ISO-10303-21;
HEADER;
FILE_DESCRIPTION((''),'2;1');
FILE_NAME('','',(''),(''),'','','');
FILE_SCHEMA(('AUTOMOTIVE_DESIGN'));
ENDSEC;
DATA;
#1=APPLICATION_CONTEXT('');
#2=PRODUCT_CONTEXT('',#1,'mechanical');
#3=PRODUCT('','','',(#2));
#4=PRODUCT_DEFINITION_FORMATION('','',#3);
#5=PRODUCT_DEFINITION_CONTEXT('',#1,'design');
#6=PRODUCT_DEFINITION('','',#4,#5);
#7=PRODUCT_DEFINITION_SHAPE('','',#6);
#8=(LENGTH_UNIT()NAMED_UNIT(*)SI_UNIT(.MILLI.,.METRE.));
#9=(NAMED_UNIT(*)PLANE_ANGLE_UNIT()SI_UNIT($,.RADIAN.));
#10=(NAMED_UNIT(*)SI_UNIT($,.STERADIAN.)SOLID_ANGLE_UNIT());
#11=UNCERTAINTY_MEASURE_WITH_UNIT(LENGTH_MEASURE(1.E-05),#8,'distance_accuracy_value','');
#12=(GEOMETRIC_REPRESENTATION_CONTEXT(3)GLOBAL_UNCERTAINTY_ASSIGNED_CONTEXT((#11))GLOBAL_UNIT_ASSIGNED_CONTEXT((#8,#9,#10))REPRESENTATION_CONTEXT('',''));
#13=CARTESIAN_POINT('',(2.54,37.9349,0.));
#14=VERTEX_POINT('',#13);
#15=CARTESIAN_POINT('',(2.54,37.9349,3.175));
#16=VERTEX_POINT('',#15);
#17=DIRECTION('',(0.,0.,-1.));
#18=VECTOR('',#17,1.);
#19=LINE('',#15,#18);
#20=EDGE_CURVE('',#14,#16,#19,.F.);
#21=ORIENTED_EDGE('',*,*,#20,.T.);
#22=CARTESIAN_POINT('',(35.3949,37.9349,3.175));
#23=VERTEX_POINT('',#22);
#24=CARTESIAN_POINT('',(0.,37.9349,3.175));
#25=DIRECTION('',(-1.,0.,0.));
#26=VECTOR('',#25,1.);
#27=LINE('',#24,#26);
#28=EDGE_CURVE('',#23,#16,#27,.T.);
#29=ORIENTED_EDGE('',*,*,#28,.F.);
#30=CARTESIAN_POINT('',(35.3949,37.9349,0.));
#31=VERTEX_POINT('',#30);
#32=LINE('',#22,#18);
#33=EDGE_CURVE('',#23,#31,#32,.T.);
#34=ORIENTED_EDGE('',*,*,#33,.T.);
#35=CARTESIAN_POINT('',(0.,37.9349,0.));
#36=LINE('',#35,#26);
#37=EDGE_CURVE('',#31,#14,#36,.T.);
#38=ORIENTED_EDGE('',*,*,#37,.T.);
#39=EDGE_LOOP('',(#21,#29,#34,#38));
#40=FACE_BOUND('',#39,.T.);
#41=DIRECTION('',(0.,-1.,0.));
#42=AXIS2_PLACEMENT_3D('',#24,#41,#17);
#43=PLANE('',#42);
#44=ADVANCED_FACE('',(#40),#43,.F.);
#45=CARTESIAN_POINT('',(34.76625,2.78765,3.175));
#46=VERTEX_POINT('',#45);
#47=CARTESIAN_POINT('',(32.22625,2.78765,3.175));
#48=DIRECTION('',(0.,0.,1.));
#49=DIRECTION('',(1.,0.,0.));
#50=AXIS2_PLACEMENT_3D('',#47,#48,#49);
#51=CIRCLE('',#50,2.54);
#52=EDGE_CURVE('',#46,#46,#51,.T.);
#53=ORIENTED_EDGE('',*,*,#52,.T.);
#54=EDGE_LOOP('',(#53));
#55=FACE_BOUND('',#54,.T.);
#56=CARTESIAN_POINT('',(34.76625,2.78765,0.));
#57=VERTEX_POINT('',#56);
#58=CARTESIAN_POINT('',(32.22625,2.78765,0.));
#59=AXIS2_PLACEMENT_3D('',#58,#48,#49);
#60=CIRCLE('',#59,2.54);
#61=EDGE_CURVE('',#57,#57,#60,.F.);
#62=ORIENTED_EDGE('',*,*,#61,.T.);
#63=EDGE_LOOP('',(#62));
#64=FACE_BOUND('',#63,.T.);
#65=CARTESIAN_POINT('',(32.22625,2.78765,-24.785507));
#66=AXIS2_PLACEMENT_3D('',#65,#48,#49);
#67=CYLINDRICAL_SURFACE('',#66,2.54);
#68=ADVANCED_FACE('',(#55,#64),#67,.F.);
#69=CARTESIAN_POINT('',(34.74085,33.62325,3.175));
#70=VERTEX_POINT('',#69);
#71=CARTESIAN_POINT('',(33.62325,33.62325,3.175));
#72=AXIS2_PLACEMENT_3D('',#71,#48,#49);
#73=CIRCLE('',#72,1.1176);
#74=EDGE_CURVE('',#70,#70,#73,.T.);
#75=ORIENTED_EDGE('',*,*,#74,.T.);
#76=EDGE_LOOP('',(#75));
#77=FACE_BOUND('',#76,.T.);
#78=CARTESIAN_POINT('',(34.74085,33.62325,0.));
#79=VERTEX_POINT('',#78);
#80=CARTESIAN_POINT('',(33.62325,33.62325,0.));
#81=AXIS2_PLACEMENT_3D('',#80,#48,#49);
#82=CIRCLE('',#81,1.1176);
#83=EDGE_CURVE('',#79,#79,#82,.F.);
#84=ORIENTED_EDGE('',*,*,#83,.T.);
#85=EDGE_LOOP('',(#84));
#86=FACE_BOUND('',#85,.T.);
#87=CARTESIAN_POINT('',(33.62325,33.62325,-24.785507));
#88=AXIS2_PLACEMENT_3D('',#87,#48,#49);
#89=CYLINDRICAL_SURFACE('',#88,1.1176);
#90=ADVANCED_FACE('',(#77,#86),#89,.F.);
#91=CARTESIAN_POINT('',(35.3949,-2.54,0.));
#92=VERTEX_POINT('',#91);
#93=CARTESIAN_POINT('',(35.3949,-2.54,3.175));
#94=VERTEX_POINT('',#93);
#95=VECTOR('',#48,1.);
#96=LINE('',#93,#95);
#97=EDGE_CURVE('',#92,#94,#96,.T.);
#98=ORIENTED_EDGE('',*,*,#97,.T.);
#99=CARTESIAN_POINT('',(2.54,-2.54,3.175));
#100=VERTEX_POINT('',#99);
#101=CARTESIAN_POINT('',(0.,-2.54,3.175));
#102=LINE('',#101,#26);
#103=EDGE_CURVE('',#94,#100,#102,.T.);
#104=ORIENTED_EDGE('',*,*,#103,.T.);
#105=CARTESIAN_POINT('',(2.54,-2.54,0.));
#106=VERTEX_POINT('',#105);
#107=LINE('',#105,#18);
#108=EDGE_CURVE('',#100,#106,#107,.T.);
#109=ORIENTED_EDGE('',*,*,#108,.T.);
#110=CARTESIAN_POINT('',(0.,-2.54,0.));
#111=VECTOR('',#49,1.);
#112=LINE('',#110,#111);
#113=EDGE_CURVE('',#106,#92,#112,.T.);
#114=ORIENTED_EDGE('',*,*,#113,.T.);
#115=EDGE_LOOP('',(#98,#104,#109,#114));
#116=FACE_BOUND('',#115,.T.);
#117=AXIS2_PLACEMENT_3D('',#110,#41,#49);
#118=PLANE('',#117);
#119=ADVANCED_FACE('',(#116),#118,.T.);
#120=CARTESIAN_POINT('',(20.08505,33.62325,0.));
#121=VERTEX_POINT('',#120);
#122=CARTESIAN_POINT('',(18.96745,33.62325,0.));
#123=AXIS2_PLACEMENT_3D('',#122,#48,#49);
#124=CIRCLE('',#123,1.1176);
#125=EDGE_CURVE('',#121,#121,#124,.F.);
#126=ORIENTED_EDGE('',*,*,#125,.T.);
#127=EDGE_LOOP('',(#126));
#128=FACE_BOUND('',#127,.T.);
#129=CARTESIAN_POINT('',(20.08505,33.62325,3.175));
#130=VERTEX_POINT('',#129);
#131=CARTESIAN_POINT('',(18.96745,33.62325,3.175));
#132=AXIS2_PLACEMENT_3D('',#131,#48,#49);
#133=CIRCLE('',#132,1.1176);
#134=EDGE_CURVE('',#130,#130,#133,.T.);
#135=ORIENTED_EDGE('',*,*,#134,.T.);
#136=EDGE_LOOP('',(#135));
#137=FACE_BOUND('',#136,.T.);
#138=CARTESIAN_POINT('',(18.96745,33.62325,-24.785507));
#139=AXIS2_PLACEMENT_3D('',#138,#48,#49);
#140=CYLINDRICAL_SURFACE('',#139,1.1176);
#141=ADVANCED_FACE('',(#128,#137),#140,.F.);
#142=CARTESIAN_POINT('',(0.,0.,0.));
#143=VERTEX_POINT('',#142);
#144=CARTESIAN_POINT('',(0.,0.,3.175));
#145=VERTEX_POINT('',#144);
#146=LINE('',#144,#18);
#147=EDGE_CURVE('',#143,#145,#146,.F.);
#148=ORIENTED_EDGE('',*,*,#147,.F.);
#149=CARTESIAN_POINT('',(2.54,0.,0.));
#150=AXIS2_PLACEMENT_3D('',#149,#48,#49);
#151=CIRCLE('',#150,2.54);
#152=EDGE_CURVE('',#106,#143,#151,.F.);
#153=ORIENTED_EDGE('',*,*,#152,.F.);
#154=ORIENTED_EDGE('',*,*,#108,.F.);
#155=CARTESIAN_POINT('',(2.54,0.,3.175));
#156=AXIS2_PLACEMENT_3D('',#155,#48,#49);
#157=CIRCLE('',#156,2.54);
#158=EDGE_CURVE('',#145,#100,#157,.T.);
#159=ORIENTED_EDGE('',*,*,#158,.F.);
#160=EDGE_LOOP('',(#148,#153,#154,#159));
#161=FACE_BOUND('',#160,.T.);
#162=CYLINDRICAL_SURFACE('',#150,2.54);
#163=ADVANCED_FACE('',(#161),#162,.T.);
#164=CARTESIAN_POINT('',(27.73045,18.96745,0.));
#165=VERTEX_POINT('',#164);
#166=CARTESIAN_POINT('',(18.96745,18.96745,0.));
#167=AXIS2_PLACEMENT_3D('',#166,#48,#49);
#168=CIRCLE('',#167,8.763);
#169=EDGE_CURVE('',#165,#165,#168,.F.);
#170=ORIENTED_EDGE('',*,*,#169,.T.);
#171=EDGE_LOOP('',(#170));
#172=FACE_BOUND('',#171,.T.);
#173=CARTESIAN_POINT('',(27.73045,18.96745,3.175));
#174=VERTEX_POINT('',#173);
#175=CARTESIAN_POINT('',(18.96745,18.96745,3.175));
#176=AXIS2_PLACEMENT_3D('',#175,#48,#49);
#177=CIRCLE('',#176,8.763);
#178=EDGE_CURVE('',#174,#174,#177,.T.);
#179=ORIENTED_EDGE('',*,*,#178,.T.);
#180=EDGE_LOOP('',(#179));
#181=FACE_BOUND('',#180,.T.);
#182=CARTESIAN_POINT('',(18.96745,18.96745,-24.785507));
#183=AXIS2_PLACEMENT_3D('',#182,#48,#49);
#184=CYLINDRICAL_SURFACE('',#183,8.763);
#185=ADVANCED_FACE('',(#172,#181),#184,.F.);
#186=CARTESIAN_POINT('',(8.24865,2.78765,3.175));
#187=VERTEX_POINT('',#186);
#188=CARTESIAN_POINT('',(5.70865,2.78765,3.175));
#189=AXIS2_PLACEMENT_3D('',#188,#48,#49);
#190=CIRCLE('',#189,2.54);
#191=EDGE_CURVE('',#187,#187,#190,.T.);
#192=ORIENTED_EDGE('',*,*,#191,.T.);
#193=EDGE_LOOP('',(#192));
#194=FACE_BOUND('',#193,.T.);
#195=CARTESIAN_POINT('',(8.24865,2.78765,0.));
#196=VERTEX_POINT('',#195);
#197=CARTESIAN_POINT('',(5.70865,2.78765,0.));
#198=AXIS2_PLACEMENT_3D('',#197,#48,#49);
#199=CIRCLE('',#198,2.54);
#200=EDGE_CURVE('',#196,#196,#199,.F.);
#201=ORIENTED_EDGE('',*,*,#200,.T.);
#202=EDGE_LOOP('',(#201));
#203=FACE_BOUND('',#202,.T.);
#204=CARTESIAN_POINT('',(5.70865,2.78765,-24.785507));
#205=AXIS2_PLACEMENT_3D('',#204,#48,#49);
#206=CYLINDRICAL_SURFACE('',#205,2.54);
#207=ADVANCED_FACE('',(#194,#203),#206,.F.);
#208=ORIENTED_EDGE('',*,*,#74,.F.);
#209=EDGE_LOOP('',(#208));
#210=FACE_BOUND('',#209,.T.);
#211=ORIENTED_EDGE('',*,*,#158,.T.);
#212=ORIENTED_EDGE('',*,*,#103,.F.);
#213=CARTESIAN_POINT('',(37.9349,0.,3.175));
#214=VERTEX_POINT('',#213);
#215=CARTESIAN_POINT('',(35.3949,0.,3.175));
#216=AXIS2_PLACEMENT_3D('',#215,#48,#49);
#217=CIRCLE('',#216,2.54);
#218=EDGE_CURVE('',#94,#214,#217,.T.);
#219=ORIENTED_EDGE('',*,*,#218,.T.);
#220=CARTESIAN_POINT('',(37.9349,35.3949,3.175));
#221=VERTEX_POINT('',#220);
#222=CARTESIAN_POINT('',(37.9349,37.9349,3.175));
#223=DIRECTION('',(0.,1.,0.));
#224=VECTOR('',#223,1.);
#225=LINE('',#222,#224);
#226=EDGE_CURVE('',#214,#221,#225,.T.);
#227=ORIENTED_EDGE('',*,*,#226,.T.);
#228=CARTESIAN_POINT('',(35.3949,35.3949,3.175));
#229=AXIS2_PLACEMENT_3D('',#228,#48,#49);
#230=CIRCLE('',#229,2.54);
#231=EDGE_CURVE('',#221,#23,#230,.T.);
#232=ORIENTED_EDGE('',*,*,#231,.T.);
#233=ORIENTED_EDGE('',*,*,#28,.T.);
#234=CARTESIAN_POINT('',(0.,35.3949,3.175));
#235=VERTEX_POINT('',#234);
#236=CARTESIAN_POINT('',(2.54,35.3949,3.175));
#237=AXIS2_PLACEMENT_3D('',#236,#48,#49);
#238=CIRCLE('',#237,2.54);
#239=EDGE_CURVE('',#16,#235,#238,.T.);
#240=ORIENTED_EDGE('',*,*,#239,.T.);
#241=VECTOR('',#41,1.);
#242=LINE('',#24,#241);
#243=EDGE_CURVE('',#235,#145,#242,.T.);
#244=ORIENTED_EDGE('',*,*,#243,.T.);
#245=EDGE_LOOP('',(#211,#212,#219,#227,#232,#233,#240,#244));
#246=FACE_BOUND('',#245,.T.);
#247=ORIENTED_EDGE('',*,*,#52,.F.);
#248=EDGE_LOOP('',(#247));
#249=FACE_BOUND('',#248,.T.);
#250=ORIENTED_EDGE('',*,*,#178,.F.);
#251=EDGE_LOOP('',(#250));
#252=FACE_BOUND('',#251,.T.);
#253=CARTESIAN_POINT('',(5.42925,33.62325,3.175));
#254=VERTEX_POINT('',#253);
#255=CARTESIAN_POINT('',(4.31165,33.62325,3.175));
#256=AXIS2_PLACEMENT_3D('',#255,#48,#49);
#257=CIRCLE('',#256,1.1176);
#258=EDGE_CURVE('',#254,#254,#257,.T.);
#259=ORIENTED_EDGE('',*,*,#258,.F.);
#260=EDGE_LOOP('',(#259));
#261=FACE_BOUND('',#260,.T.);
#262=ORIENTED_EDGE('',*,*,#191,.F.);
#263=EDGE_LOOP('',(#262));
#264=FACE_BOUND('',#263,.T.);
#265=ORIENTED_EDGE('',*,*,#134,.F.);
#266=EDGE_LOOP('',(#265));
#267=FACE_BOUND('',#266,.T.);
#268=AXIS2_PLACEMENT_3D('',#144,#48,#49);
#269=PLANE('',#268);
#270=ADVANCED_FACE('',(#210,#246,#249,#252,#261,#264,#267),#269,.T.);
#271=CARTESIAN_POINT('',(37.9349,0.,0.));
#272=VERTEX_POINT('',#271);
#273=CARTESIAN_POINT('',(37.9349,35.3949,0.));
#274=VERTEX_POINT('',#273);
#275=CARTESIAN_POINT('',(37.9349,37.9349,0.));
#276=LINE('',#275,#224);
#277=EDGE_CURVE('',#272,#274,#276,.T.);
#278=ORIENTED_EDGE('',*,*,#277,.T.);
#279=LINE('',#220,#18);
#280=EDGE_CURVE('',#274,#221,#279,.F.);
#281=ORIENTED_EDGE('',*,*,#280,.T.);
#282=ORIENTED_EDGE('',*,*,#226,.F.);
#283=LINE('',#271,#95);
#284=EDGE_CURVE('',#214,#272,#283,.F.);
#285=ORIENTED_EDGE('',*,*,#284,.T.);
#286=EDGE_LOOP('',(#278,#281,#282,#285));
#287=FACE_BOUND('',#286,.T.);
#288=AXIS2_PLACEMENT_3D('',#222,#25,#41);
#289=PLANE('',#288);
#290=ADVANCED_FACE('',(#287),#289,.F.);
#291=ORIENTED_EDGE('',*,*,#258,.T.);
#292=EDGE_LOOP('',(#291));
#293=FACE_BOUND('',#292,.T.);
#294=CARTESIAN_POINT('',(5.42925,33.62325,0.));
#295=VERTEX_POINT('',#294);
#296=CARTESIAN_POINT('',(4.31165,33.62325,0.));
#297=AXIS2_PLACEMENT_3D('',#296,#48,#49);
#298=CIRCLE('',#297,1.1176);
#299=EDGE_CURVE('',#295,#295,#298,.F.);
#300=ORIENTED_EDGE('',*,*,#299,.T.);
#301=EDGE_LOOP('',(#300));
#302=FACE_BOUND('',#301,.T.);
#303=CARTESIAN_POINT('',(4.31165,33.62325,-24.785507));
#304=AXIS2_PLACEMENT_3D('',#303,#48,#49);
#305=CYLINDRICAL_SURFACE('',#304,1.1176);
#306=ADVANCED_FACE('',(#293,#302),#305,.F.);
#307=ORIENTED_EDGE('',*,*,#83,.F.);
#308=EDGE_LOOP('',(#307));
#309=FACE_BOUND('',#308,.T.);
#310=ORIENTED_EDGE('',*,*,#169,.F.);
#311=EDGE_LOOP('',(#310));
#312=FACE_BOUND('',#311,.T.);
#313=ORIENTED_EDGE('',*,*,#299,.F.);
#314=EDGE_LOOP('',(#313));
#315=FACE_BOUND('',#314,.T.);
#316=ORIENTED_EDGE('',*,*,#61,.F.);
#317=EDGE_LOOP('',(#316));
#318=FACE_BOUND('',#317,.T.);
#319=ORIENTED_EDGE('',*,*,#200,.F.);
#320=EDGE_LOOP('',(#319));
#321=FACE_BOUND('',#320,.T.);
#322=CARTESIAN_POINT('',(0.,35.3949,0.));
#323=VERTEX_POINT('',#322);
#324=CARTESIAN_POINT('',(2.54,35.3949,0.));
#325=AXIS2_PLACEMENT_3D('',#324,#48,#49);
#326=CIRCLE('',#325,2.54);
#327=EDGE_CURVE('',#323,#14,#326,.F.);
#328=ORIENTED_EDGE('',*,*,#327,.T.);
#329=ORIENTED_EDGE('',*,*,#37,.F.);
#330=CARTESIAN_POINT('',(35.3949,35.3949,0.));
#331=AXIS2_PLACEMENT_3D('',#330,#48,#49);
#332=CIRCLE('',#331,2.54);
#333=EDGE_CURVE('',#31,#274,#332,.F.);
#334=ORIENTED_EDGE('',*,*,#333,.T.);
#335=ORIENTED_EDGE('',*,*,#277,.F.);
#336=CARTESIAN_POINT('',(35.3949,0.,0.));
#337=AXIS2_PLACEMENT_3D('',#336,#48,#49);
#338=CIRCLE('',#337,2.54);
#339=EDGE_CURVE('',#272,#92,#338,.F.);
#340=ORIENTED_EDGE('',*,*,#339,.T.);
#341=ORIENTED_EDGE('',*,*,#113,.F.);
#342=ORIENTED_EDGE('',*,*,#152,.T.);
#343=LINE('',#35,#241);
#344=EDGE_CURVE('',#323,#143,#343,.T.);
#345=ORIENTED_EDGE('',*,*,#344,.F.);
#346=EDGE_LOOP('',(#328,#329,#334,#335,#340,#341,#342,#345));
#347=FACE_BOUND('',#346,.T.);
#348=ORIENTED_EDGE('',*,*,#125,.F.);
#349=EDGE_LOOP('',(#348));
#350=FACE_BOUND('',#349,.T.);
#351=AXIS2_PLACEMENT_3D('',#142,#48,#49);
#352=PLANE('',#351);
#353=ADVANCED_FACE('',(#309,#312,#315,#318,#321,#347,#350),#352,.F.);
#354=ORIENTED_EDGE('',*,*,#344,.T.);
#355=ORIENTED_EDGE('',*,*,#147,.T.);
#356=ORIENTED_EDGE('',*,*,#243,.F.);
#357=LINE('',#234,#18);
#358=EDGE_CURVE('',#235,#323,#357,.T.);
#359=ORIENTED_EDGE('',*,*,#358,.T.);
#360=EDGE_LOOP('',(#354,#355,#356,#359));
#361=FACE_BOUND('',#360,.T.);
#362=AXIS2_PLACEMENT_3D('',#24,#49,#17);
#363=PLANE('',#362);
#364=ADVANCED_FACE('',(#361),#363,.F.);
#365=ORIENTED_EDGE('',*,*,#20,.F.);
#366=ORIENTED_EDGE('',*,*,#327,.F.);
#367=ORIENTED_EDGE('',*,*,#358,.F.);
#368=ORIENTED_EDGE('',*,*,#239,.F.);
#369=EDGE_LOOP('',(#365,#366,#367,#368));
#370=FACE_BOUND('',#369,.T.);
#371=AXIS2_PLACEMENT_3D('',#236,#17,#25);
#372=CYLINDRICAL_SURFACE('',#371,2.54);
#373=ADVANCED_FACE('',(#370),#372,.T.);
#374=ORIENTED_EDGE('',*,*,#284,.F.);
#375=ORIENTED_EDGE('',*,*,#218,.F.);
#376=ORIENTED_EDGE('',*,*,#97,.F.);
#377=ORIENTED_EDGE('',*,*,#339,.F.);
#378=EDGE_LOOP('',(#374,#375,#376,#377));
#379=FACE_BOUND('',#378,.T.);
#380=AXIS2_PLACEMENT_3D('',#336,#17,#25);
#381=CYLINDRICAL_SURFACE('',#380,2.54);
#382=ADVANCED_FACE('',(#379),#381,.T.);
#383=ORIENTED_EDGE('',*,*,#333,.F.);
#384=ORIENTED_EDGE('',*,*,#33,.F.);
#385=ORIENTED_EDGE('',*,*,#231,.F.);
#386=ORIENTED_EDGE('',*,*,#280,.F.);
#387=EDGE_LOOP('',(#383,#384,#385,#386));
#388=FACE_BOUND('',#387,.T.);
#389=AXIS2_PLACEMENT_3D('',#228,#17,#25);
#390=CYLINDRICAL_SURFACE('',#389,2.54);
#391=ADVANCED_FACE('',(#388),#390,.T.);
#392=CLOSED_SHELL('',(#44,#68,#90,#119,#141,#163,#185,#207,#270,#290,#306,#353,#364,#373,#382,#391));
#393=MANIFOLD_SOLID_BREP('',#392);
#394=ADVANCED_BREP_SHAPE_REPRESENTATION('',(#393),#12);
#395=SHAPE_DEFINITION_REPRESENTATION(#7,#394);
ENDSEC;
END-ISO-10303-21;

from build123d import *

# Parameters (mm, degrees)
SKETCH1_W           = 37.9349
SKETCH1_H           = 37.9349
BOSS_EXTRUDE1_DEPTH = 3.175
SKETCH9_R           = 1.1176
SKETCH9_R_2         = 2.54
SKETCH9_R_3         = 8.763
CUT_EXTRUDE2_DEPTH  = 3.175
SKETCH11_W          = 37.9349
SKETCH11_H          = 3.175
BOSS_EXTRUDE2_DEPTH = 2.54
FILLET1_R           = 2.54


with BuildPart() as part:
    # Sketch1 → Boss-Extrude1 (new body)
    with BuildSketch(Plane.XY):
        with Locations((18.96745, 18.96745)):
            Rectangle(SKETCH1_W, SKETCH1_H)
    extrude(amount=BOSS_EXTRUDE1_DEPTH)

    # Sketch9 → Cut-Extrude2 (cut)
    with BuildSketch(Plane.XY.offset(3.175)):
        with Locations((33.62325, 33.62325)):
            Circle(SKETCH9_R)
        with Locations((4.31165, 33.62325)):
            Circle(SKETCH9_R)
        with Locations((5.70865, 2.78765)):
            Circle(SKETCH9_R_2)
        with Locations((32.22625, 2.78765)):
            Circle(SKETCH9_R_2)
        with Locations((18.96745, 33.62325)):
            Circle(SKETCH9_R)
        with Locations((18.96745, 18.96745)):
            Circle(SKETCH9_R_3)
    extrude(amount=-CUT_EXTRUDE2_DEPTH, mode=Mode.SUBTRACT)

    # Sketch11 → Boss-Extrude2 (add)
    with BuildSketch(Plane.XZ):
        with Locations((18.96745, 1.5875)):
            Rectangle(SKETCH11_W, SKETCH11_H)
    extrude(amount=BOSS_EXTRUDE2_DEPTH)

    # Fillet1
    fillet1_edges = [part.edges().sort_by_distance(p)[0] for p in [
        (0, -2.54, 1.5875),
        (37.9349, -2.54, 1.5875),
        (0, 37.9349, 1.5875),
        (37.9349, 37.9349, 1.5875),
    ]]
    fillet(fillet1_edges, radius=FILLET1_R)


solid = part.part
